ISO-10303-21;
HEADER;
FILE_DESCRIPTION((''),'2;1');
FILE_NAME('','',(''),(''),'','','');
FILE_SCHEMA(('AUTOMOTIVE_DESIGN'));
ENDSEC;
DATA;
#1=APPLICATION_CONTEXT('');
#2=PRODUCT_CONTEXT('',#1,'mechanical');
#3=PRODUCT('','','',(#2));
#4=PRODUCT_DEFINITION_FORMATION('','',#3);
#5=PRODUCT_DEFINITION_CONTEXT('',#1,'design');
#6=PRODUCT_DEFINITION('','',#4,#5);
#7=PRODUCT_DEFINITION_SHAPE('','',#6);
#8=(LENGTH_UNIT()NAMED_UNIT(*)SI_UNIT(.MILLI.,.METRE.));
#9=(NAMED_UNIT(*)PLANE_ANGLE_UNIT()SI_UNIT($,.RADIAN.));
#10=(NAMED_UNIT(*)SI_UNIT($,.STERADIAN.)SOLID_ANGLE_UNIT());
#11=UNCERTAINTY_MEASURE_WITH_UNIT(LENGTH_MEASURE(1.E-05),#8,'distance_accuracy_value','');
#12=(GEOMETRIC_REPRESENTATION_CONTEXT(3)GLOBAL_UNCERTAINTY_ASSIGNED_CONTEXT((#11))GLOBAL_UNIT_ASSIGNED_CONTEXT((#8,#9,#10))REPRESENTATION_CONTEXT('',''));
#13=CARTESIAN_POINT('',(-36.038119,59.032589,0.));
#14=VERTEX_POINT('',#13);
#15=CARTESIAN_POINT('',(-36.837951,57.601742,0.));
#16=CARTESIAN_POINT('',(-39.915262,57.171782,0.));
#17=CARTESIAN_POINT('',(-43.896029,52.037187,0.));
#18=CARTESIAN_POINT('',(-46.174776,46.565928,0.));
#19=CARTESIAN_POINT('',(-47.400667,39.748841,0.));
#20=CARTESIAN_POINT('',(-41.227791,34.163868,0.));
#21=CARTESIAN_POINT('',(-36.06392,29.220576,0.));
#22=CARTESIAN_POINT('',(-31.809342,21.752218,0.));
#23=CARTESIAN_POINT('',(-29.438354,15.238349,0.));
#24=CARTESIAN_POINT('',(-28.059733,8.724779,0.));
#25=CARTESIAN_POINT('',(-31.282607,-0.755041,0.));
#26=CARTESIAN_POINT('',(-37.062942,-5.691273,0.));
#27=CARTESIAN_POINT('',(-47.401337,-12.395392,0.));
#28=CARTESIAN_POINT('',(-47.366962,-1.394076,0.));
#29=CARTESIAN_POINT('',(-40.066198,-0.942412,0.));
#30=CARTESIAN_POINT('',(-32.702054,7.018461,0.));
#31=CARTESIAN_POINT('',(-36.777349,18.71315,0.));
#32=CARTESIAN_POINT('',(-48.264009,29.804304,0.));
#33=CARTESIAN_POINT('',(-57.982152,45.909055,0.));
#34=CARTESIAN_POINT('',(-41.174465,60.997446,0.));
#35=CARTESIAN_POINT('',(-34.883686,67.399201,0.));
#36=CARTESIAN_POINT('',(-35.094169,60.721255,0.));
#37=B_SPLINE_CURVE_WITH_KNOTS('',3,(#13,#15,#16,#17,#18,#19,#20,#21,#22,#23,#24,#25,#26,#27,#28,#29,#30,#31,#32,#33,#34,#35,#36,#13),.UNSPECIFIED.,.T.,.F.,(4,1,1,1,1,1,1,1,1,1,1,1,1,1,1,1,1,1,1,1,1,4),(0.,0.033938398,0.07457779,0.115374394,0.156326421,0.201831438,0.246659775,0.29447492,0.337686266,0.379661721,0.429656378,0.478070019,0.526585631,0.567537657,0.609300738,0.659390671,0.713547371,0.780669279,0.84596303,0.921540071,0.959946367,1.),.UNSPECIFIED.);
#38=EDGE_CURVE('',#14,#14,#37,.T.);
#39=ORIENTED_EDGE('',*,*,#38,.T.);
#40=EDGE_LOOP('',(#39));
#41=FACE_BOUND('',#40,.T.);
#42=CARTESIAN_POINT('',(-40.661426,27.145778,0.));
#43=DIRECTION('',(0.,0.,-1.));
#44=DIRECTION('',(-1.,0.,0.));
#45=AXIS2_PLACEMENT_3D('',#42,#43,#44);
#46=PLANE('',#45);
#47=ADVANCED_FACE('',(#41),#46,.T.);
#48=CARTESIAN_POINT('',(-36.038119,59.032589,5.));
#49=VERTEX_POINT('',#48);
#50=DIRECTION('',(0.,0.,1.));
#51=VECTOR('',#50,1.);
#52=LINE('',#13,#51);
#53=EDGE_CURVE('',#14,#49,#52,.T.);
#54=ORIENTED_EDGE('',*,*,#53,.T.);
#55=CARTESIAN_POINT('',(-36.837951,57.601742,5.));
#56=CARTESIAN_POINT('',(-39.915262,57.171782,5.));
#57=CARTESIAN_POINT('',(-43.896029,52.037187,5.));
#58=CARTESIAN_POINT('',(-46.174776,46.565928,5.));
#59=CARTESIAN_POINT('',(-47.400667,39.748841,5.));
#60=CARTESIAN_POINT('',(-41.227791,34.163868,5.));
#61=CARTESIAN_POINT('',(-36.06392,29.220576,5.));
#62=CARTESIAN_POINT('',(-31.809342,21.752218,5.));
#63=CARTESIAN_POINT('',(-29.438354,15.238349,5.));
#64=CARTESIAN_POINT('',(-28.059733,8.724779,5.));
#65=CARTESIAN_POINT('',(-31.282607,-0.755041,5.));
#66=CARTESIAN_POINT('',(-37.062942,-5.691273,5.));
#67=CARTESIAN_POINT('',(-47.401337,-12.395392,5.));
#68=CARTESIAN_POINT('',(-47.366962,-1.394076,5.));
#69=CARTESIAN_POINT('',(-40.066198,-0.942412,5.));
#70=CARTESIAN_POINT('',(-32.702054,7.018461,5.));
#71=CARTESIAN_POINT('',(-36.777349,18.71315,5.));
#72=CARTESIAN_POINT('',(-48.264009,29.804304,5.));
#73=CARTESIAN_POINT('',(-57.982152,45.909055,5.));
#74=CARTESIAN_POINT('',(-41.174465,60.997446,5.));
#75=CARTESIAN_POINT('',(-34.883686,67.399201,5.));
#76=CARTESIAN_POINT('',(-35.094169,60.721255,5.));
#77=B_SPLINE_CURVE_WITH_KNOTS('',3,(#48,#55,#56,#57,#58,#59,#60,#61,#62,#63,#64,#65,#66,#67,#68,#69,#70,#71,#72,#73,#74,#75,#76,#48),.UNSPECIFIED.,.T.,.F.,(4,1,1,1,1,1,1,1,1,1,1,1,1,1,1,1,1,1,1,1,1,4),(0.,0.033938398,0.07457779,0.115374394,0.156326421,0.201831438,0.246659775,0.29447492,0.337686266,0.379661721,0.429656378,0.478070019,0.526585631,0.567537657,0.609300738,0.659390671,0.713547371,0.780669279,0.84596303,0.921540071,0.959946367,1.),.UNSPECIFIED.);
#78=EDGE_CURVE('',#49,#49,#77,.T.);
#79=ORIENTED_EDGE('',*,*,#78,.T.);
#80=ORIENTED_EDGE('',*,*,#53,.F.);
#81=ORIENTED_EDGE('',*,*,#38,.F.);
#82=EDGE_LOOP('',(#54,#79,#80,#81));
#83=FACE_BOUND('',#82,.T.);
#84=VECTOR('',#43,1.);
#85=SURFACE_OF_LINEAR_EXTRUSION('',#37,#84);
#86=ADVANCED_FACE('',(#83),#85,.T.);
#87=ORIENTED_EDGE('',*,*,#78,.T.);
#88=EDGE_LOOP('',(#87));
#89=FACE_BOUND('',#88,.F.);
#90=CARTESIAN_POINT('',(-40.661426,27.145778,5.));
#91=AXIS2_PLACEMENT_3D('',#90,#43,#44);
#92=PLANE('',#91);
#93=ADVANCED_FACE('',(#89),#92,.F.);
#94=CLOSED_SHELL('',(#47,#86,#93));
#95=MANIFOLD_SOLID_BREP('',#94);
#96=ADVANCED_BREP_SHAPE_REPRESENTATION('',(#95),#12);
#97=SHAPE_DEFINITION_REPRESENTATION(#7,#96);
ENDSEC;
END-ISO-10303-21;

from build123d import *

# Parameters (mm, degrees)
F1_DEPTH = 5


with BuildPart() as f1:
    # F0 (on Top) → F1 (new body)
    with BuildSketch(Plane.XY):
        with BuildLine():
            add(Edge.make_bspline(
                [(-36.0381193459, 59.0325891972), (-36.8379513683, 57.6017424357), (-39.9152621772, 57.171781909), (-43.89602883, 52.037187294), (-46.1747757098, 46.5659278276), (-47.4006674669, 39.7488406858), (-41.2277909833, 34.1638683028), (-36.0639198079, 29.2205758053), (-31.8093423615, 21.7522183728), (-29.4383540716, 15.2383491841), (-28.0597330817, 8.7247786332), (-31.282606832, -0.7550406948), (-37.0629415976, -5.6912729875), (-47.4013369512, -12.3953918375), (-47.3669615193, -1.3940756683), (-40.0661976556, -0.9424120252), (-32.7020543815, 7.018460653), (-36.7773489338, 18.713149871), (-48.264009366, 29.8043043479), (-57.9821523734, 45.9090554159), (-41.1744652682, 60.9974456179), (-34.8836858804, 67.3992009933), (-35.0941685273, 60.7212549844), (-36.0381193459, 59.0325891972)],
                knots=[0, 0, 0, 0, 0.0339383979, 0.0745777898, 0.1153743938, 0.1563264207, 0.2018314378, 0.2466597748, 0.2944749199, 0.3376862656, 0.3796617209, 0.4296563778, 0.4780700186, 0.5265856309, 0.567537657, 0.6093007377, 0.659390671, 0.7135473705, 0.7806692791, 0.8459630299, 0.9215400711, 0.9599463667, 1, 1, 1, 1], degree=3))
        make_face()
    extrude(amount=F1_DEPTH)


solid = f1.part
